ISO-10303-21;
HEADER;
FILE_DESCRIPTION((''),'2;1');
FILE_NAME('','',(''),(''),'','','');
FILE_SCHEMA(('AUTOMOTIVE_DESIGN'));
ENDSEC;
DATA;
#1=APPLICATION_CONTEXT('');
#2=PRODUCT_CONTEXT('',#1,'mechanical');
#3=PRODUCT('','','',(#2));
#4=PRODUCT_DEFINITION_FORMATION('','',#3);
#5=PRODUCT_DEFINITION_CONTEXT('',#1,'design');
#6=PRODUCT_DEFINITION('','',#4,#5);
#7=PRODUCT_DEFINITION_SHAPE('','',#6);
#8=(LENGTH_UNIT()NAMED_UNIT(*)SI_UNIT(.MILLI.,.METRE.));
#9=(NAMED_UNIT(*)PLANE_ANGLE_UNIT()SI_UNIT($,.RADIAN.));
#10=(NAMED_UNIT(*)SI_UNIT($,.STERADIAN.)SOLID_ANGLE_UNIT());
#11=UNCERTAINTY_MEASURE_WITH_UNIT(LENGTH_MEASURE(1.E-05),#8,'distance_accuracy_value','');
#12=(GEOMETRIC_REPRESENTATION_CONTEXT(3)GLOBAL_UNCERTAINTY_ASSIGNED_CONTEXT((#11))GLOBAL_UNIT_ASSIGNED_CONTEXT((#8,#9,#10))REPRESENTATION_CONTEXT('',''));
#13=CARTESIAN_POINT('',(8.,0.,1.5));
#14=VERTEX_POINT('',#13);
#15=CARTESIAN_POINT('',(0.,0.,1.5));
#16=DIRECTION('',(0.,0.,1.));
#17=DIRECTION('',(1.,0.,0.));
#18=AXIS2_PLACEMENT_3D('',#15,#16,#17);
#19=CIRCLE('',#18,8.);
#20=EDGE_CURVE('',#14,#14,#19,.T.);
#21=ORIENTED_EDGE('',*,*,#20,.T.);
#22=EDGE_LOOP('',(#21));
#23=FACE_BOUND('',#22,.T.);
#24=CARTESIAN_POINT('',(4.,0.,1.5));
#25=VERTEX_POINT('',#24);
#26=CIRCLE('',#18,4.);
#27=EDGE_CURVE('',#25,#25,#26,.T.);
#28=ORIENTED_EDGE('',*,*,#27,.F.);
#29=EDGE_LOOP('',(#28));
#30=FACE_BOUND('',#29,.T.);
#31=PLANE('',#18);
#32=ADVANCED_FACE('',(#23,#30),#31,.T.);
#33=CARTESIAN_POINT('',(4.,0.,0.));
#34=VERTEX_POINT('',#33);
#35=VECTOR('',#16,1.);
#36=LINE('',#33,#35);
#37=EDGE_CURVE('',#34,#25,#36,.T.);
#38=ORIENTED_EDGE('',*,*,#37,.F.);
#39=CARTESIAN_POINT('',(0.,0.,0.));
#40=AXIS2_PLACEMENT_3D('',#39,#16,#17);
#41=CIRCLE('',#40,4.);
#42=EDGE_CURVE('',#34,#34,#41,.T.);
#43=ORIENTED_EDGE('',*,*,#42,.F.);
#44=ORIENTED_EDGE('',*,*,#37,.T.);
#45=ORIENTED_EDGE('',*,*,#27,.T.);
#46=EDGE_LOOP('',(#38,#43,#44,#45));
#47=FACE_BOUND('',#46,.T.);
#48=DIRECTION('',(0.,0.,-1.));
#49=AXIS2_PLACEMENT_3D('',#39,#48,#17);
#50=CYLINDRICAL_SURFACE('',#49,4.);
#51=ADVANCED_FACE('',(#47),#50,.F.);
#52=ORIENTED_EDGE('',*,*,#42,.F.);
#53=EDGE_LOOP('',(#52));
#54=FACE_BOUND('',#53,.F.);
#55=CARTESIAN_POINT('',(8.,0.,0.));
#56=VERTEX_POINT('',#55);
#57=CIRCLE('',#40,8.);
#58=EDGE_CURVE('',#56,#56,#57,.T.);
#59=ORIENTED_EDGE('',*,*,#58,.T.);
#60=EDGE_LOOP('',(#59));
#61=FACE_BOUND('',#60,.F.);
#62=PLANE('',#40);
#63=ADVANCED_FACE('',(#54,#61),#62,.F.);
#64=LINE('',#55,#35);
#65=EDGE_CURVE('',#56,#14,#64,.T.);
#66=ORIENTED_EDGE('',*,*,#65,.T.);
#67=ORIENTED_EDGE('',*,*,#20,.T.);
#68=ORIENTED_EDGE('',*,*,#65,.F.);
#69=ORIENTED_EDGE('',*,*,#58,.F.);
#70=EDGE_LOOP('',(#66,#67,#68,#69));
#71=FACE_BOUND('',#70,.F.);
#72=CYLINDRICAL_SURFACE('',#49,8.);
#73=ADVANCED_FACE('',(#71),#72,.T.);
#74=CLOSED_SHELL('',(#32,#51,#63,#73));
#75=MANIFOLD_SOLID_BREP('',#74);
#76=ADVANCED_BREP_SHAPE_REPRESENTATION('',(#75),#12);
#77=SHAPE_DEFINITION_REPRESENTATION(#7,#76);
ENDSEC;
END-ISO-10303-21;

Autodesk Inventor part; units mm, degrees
ref_plane "YZ Plane" through (0, 0, 0) normal (1, 0, 0) x (0, 1, 0)
ref_plane "XZ Plane" through (0, 0, 0) normal (0, 1, 0) x (-1, 0, 0)
ref_plane "XY Plane" through (0, 0, 0) normal (0, 0, 1) x (1, 0, 0)
sketch "Sketch1" plane through (0, 0, 0) normal (0, 0, 1) x (1, 0, 0)
  circle A0 centre (0, 0) radius 4
  circle A1 centre (0, 0) radius 8
  dimension "d0" = 8
  dimension "d1" = 16
extrude "Extrusion1" add sketch "Sketch1" along normal blind 1.5
properties part number "spændeskive"
